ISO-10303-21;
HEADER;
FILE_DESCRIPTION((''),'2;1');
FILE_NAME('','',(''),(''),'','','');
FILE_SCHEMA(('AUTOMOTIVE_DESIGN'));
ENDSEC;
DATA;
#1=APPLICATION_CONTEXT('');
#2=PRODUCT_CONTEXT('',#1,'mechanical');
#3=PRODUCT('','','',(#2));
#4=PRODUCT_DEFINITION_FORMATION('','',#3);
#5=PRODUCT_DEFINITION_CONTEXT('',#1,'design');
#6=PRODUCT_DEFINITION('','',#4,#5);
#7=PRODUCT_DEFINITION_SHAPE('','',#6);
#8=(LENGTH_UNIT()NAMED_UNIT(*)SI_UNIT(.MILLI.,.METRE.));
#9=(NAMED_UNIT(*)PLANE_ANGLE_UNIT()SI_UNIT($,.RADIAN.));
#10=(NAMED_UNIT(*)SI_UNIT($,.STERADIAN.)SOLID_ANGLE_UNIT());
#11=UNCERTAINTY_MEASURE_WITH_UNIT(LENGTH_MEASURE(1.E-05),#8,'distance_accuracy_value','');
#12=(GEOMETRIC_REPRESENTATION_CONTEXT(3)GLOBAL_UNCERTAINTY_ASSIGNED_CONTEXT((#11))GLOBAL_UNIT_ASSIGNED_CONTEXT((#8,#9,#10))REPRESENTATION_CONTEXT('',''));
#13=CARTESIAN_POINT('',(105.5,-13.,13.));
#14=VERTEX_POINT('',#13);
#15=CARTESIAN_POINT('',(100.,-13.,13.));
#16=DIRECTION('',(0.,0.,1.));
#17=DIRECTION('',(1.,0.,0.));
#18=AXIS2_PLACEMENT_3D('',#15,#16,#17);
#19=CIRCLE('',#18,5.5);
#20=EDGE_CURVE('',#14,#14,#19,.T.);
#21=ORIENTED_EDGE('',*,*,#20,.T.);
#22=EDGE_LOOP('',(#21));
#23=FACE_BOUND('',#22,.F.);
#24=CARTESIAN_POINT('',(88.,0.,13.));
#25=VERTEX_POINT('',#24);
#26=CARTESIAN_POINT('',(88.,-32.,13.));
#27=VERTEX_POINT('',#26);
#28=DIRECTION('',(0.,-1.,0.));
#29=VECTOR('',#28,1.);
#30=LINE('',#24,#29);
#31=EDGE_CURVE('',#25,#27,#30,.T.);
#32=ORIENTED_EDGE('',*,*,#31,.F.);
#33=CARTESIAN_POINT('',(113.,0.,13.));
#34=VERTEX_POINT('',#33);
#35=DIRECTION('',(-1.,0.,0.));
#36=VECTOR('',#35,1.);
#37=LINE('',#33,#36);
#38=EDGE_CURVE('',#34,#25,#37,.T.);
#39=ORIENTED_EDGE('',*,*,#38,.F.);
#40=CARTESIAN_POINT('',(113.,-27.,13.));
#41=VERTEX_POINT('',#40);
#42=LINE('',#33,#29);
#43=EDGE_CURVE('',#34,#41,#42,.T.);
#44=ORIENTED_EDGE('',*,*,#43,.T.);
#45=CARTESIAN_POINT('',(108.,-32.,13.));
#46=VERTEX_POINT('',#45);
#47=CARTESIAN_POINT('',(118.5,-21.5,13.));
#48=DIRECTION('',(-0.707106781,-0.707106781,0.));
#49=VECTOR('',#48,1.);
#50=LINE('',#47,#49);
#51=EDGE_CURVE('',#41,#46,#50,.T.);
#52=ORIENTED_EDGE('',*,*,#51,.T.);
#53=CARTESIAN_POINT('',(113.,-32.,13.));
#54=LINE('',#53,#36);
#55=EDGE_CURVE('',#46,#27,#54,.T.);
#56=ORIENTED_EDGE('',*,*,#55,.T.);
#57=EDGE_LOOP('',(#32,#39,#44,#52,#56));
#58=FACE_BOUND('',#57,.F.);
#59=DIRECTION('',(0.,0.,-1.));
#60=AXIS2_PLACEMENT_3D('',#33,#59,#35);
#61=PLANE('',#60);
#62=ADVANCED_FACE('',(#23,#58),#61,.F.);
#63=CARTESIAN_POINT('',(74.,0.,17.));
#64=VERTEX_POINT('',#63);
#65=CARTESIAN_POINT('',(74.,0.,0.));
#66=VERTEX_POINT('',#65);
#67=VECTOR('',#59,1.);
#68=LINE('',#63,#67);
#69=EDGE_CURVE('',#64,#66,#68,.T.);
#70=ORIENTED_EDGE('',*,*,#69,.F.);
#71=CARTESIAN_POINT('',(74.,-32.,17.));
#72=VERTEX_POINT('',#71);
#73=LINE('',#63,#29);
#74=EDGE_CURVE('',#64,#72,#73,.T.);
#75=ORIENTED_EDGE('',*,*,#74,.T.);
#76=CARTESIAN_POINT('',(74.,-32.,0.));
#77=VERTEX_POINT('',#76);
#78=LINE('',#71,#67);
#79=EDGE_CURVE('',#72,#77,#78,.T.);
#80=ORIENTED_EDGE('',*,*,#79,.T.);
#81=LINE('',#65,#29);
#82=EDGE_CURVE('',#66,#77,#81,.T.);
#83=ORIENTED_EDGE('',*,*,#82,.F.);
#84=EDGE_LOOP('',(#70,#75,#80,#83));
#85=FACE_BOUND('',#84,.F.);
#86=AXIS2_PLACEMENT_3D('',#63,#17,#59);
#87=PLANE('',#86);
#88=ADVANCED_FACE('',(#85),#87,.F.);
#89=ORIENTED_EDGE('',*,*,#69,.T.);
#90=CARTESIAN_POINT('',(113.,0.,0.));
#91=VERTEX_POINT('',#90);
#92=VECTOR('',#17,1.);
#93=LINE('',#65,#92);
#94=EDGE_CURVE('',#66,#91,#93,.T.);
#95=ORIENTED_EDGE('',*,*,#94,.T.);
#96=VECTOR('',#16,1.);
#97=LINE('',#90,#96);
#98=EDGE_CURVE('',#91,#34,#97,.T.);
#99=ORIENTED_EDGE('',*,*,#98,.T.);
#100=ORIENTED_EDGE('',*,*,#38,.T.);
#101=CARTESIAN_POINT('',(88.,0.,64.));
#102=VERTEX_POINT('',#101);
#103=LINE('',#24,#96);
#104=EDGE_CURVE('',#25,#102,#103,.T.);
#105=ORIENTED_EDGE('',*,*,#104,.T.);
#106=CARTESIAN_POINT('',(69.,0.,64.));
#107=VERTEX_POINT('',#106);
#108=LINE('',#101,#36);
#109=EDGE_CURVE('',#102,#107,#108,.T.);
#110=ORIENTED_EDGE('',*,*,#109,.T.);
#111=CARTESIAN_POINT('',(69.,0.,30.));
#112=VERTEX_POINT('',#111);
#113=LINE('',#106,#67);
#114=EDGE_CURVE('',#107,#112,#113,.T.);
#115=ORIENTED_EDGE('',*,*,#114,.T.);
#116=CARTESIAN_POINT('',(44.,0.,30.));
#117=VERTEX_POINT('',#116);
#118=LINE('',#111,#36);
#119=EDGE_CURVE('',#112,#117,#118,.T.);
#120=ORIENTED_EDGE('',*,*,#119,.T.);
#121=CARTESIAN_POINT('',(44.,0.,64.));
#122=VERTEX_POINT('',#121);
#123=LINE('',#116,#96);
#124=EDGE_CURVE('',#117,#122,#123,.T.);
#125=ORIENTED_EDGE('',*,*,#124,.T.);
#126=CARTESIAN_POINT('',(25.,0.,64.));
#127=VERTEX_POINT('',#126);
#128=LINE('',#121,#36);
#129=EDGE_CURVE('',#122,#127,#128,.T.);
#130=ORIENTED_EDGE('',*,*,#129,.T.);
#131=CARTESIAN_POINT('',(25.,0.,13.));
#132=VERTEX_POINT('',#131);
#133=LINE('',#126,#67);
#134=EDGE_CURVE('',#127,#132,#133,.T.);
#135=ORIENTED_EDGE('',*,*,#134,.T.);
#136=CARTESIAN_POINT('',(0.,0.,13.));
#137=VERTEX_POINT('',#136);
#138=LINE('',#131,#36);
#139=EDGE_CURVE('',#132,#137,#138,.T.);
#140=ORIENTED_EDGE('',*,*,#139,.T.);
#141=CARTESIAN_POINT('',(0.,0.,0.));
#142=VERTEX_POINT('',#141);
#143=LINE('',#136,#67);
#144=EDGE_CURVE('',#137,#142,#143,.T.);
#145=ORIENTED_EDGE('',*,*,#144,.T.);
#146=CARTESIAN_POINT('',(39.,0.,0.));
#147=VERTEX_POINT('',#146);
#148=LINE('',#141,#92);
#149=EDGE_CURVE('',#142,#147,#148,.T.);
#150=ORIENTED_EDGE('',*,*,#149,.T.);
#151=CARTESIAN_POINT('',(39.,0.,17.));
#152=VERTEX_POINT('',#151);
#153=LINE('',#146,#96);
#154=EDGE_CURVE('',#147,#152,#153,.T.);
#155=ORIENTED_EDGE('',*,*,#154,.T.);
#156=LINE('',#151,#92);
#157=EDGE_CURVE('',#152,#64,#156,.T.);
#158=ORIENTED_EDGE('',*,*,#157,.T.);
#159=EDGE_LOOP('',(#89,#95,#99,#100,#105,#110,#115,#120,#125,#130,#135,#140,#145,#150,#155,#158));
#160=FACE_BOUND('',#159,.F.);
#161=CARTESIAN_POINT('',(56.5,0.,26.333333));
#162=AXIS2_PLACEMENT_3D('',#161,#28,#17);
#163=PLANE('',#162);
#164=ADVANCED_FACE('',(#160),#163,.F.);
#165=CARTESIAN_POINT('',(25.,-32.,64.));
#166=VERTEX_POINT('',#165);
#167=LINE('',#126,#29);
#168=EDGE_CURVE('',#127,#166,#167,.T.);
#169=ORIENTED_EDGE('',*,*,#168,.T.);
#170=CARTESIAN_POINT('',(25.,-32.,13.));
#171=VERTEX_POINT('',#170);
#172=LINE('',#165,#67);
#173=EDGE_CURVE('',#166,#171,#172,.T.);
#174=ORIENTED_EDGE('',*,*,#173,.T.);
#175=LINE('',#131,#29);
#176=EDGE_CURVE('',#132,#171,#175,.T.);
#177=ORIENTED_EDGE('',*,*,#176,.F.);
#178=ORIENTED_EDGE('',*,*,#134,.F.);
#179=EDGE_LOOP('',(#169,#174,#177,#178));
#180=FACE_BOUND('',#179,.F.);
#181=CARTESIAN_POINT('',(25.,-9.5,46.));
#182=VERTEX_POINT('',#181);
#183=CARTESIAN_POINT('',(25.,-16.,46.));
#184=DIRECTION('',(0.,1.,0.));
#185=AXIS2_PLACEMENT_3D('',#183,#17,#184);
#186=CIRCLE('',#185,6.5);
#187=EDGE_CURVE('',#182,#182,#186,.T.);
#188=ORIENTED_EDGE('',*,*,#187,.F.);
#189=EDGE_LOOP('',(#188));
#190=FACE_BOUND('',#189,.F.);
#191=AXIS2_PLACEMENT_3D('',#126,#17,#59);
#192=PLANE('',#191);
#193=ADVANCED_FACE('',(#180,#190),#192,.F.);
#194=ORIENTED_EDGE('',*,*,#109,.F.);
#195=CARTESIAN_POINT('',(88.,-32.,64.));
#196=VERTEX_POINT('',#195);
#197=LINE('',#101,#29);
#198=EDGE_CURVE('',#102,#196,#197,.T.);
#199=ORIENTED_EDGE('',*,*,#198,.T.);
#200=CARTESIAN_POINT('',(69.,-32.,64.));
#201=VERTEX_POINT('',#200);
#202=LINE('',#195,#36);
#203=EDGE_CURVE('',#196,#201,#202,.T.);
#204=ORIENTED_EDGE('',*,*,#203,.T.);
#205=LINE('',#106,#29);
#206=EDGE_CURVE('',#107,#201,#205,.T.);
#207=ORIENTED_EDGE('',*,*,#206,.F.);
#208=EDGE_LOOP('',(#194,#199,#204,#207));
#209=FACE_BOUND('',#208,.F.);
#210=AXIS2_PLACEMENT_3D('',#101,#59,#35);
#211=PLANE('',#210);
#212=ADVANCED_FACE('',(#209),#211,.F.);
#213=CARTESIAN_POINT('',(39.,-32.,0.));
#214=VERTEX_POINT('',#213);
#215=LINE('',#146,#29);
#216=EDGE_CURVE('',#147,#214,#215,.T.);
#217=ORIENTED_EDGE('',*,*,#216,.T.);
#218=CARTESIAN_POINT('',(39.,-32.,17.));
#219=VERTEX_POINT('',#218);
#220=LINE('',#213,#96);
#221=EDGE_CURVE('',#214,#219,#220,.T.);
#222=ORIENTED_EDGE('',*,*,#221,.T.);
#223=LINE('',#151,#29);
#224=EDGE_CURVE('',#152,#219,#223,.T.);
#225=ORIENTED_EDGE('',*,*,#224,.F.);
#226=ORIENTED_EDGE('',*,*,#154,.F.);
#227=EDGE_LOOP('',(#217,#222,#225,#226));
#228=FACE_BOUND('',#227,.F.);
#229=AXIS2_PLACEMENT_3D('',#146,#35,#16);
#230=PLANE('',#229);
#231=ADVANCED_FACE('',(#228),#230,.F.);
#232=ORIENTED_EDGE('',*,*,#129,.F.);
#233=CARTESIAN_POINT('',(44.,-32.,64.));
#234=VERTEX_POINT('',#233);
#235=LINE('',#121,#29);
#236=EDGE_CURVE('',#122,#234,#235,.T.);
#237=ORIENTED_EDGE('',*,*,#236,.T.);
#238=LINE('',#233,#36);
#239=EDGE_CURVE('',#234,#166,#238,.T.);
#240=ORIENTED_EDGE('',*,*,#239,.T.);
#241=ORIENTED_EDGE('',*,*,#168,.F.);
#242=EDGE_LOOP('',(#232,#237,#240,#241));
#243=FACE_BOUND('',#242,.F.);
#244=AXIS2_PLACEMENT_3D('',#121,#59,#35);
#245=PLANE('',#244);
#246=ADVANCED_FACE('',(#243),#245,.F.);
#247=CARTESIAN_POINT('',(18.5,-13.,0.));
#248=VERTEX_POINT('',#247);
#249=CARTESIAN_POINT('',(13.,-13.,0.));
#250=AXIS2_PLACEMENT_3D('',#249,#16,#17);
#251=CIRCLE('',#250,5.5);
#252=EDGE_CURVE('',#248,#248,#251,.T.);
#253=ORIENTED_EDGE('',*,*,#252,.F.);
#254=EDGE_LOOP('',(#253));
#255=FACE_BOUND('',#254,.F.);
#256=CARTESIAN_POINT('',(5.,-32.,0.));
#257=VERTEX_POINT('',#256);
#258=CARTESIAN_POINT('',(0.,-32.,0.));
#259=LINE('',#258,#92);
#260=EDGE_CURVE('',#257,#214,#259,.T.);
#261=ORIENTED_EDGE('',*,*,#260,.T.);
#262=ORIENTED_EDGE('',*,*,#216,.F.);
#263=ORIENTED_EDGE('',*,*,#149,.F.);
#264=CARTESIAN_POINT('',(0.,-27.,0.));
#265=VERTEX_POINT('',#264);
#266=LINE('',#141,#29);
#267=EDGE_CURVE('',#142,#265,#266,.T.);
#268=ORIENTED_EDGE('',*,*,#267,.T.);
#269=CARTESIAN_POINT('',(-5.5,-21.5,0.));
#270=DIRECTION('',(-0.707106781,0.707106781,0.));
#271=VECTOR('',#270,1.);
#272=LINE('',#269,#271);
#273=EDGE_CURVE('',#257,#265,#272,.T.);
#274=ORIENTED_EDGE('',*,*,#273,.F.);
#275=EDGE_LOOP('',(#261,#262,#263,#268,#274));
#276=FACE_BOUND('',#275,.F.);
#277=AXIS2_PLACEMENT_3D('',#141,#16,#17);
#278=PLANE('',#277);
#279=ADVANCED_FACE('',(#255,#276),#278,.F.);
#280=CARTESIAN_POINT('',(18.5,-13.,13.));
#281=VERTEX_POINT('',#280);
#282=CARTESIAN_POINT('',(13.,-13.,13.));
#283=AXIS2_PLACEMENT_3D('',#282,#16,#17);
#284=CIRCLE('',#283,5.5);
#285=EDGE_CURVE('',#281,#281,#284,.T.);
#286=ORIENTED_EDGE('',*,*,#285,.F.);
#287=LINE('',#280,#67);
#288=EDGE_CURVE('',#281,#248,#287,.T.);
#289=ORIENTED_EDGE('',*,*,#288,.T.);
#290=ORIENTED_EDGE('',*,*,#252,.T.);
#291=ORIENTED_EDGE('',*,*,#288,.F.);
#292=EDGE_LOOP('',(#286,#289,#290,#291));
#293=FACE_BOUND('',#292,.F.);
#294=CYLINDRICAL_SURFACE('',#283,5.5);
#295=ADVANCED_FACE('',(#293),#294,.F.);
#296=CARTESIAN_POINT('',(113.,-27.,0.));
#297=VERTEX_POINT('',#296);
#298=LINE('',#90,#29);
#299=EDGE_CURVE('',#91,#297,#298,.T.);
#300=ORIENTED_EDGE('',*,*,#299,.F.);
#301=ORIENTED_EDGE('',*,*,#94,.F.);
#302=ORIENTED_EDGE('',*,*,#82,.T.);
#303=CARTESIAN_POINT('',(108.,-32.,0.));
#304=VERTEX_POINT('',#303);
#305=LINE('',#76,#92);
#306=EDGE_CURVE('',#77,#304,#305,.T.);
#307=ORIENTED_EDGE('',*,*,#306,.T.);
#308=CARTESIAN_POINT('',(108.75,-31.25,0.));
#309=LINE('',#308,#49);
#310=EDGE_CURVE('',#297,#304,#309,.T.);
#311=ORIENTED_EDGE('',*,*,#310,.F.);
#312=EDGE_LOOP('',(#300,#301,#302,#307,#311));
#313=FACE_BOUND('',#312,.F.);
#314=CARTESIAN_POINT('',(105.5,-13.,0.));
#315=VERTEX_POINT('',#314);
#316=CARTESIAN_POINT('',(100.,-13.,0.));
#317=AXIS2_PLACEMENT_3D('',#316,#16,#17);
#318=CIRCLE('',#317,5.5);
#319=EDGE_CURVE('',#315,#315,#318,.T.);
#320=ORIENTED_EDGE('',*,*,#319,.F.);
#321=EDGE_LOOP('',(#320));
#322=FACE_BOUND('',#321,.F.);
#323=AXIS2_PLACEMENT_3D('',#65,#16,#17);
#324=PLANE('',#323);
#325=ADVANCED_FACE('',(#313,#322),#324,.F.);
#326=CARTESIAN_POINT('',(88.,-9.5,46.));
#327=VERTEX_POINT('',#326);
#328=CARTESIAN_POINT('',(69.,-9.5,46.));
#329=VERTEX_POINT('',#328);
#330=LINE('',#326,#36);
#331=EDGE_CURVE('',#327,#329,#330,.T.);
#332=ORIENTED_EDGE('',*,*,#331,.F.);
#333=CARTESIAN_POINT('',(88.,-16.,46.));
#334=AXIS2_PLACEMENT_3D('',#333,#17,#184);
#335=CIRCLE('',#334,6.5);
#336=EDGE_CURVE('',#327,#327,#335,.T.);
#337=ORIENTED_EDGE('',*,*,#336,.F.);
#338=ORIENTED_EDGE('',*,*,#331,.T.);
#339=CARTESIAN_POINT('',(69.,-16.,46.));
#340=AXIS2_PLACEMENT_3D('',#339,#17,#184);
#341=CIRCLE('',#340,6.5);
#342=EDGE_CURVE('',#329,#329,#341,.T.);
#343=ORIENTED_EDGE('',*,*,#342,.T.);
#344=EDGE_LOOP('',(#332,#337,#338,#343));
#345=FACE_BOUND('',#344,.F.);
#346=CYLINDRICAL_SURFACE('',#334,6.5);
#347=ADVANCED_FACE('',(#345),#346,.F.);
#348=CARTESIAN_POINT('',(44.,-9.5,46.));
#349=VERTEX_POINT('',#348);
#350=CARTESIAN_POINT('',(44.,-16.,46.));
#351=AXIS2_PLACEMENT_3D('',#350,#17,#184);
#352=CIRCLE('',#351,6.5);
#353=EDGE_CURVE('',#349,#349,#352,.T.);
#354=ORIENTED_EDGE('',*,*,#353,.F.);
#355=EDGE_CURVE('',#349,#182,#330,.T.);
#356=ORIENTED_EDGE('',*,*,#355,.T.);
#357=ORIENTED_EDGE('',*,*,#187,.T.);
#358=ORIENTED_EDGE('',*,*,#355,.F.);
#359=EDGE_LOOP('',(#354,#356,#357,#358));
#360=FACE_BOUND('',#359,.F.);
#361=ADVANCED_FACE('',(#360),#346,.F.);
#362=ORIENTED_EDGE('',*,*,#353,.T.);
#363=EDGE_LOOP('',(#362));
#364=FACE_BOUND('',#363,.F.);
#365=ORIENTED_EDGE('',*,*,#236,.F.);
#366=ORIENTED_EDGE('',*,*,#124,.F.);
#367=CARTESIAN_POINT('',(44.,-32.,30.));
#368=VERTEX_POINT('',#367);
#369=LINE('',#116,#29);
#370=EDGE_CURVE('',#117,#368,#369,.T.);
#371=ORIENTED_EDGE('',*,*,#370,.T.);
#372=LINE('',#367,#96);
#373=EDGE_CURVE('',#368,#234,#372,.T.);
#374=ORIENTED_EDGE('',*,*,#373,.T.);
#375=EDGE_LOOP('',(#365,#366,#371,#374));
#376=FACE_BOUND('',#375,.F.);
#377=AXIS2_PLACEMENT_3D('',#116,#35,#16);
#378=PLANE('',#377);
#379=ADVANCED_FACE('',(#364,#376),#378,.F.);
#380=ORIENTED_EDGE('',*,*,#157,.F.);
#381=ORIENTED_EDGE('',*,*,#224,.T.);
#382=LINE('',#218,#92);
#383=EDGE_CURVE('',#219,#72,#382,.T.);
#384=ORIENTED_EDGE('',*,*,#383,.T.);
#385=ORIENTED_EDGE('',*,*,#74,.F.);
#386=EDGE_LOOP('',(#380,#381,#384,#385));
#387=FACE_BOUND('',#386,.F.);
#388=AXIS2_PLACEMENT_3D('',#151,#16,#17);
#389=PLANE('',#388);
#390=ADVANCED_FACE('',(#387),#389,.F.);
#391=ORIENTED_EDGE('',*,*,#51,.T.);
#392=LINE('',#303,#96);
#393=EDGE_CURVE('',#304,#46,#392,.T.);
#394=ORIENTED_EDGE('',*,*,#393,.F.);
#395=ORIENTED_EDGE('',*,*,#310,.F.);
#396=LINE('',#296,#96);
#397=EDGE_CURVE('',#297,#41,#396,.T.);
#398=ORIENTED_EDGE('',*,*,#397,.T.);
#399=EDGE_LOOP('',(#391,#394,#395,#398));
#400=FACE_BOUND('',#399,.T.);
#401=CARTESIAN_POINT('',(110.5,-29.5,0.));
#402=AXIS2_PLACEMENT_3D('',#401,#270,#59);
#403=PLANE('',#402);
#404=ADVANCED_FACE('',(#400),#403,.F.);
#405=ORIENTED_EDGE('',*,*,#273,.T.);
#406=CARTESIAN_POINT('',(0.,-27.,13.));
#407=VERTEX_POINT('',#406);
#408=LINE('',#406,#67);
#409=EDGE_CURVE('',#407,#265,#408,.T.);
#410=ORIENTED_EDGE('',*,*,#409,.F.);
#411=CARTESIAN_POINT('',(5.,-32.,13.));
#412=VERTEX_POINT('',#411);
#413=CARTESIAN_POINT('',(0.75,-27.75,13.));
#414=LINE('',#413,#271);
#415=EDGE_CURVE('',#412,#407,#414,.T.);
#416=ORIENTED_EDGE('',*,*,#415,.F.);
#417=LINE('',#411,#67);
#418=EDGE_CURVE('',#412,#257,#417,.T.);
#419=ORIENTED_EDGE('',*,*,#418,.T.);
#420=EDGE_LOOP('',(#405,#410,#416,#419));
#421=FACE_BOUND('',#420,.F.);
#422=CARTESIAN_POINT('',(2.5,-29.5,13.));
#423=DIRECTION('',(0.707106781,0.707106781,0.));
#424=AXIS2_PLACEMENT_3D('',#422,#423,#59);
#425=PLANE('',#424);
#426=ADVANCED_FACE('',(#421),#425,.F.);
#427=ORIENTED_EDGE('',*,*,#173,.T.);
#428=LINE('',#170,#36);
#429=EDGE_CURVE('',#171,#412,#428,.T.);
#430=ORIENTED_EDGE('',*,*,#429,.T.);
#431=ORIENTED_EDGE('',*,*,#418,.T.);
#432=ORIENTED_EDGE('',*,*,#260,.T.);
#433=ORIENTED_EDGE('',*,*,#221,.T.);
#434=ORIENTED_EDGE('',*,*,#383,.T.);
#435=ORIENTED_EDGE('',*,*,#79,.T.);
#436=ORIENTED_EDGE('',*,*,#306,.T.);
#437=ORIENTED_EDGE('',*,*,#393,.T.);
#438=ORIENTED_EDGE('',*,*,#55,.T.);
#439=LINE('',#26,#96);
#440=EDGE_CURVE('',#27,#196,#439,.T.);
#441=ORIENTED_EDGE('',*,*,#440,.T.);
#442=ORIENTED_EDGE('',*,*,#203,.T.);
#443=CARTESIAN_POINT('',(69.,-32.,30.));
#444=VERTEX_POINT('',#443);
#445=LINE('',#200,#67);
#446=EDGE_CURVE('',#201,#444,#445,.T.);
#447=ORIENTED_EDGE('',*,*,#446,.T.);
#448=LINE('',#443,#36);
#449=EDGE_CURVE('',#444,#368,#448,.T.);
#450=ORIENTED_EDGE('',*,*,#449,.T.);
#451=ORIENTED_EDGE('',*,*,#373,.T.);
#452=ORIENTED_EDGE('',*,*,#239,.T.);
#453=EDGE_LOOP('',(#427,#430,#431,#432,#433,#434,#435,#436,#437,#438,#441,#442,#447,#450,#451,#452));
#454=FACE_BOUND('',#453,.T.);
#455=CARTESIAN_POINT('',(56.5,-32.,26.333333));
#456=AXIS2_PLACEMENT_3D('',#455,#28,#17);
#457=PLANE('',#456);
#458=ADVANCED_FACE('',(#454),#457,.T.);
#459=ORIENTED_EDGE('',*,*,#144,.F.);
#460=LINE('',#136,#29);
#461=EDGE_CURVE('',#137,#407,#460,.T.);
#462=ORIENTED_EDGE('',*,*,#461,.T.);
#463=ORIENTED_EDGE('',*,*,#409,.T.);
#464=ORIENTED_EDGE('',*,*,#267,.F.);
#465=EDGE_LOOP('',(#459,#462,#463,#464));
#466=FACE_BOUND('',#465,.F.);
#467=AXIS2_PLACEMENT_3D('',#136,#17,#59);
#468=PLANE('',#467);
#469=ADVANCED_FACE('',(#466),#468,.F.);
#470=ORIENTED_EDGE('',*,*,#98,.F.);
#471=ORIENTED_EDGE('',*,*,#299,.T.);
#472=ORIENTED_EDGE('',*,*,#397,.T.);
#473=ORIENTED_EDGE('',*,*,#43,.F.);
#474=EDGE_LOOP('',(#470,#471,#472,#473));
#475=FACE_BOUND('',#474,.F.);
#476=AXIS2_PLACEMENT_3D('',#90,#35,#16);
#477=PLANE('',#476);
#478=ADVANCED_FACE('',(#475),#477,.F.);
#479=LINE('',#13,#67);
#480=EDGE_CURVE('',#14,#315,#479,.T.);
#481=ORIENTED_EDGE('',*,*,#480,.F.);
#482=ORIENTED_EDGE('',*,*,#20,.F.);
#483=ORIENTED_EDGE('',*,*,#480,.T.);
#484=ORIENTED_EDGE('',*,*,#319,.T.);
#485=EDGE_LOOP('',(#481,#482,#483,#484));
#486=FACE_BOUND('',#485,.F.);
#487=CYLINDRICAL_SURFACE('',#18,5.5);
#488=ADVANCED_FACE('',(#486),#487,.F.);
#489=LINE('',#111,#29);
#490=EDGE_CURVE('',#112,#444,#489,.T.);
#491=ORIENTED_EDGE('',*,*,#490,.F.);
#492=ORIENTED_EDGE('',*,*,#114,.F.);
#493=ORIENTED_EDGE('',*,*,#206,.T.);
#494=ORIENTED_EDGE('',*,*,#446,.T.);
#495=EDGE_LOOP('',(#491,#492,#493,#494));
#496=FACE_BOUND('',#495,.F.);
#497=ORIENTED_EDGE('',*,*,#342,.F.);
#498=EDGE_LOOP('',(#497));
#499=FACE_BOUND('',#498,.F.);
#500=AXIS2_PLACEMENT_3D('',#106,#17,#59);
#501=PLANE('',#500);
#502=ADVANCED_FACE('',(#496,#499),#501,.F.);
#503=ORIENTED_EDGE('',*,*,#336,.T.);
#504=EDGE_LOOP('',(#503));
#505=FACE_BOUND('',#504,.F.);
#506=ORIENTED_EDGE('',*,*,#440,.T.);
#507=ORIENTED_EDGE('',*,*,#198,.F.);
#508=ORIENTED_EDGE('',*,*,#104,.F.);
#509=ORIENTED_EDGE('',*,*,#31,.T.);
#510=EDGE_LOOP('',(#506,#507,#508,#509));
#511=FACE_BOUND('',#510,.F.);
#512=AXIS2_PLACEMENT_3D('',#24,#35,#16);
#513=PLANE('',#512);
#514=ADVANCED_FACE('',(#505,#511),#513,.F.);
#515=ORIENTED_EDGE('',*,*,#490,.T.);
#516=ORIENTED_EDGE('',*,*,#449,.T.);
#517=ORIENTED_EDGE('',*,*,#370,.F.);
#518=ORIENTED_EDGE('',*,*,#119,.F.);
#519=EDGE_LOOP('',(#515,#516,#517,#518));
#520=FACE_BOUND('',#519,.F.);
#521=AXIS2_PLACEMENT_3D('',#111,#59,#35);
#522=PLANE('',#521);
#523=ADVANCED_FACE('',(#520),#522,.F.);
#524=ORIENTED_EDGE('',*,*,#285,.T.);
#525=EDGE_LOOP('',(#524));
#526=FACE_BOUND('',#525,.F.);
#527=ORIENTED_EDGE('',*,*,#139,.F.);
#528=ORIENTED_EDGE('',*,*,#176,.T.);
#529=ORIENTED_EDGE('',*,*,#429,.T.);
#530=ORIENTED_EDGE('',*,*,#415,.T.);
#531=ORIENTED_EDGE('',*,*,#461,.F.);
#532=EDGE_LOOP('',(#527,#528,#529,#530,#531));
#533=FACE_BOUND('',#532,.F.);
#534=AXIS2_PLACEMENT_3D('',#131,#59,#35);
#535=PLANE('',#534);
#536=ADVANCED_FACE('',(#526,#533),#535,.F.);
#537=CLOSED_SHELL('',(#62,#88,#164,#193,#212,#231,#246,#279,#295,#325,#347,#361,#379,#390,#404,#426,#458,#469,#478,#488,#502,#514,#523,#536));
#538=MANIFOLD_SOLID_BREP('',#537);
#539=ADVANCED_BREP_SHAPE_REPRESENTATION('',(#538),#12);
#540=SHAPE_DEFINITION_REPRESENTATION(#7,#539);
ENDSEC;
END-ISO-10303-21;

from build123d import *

# Parameters (mm, degrees)
F1_DEPTH = 32
F2_SIZE  = 5
F3_SIZE  = 5
F4_R     = 6.5
F5_DEPTH = 88.001
F6_R     = 5.5
F7_DEPTH = 13.001


with BuildPart() as f1:
    # F0 (on Front) → F1 (new body)
    with BuildSketch(Plane.XZ):
        Polygon((0, 13), (0, 0), (39, 0), (39, 17), (74, 17), (74, 0), (113, 0), (113, 13), (88, 13), (88, 64), (69, 64), (69, 30), (44, 30), (44, 64), (25, 64), (25, 13), align=None)
    extrude(amount=F1_DEPTH)

    # F2
    f2_edges = [f1.edges().sort_by_distance(p)[0] for p in [
        (113, -32, 6.5),
    ]]
    chamfer(f2_edges, length=F2_SIZE)

    # F3
    f3_edges = [f1.edges().sort_by_distance(p)[0] for p in [
        (0, -32, 6.5),
    ]]
    chamfer(f3_edges, length=F3_SIZE)

    # F4 (on face) → F5 (cut, through all)
    with BuildSketch(Plane.YZ.offset(88)):
        with Locations((-16, 46)):
            Circle(F4_R)
    extrude(amount=-F5_DEPTH, mode=Mode.SUBTRACT)

    # F6 (on face) → F7 (cut, through all)
    with BuildSketch(Plane.XY.offset(13)):
        with Locations((13, -13)):
            Circle(F6_R)
        with Locations((100, -13)):
            Circle(F6_R)
    extrude(amount=-F7_DEPTH, mode=Mode.SUBTRACT)


solid = f1.part
